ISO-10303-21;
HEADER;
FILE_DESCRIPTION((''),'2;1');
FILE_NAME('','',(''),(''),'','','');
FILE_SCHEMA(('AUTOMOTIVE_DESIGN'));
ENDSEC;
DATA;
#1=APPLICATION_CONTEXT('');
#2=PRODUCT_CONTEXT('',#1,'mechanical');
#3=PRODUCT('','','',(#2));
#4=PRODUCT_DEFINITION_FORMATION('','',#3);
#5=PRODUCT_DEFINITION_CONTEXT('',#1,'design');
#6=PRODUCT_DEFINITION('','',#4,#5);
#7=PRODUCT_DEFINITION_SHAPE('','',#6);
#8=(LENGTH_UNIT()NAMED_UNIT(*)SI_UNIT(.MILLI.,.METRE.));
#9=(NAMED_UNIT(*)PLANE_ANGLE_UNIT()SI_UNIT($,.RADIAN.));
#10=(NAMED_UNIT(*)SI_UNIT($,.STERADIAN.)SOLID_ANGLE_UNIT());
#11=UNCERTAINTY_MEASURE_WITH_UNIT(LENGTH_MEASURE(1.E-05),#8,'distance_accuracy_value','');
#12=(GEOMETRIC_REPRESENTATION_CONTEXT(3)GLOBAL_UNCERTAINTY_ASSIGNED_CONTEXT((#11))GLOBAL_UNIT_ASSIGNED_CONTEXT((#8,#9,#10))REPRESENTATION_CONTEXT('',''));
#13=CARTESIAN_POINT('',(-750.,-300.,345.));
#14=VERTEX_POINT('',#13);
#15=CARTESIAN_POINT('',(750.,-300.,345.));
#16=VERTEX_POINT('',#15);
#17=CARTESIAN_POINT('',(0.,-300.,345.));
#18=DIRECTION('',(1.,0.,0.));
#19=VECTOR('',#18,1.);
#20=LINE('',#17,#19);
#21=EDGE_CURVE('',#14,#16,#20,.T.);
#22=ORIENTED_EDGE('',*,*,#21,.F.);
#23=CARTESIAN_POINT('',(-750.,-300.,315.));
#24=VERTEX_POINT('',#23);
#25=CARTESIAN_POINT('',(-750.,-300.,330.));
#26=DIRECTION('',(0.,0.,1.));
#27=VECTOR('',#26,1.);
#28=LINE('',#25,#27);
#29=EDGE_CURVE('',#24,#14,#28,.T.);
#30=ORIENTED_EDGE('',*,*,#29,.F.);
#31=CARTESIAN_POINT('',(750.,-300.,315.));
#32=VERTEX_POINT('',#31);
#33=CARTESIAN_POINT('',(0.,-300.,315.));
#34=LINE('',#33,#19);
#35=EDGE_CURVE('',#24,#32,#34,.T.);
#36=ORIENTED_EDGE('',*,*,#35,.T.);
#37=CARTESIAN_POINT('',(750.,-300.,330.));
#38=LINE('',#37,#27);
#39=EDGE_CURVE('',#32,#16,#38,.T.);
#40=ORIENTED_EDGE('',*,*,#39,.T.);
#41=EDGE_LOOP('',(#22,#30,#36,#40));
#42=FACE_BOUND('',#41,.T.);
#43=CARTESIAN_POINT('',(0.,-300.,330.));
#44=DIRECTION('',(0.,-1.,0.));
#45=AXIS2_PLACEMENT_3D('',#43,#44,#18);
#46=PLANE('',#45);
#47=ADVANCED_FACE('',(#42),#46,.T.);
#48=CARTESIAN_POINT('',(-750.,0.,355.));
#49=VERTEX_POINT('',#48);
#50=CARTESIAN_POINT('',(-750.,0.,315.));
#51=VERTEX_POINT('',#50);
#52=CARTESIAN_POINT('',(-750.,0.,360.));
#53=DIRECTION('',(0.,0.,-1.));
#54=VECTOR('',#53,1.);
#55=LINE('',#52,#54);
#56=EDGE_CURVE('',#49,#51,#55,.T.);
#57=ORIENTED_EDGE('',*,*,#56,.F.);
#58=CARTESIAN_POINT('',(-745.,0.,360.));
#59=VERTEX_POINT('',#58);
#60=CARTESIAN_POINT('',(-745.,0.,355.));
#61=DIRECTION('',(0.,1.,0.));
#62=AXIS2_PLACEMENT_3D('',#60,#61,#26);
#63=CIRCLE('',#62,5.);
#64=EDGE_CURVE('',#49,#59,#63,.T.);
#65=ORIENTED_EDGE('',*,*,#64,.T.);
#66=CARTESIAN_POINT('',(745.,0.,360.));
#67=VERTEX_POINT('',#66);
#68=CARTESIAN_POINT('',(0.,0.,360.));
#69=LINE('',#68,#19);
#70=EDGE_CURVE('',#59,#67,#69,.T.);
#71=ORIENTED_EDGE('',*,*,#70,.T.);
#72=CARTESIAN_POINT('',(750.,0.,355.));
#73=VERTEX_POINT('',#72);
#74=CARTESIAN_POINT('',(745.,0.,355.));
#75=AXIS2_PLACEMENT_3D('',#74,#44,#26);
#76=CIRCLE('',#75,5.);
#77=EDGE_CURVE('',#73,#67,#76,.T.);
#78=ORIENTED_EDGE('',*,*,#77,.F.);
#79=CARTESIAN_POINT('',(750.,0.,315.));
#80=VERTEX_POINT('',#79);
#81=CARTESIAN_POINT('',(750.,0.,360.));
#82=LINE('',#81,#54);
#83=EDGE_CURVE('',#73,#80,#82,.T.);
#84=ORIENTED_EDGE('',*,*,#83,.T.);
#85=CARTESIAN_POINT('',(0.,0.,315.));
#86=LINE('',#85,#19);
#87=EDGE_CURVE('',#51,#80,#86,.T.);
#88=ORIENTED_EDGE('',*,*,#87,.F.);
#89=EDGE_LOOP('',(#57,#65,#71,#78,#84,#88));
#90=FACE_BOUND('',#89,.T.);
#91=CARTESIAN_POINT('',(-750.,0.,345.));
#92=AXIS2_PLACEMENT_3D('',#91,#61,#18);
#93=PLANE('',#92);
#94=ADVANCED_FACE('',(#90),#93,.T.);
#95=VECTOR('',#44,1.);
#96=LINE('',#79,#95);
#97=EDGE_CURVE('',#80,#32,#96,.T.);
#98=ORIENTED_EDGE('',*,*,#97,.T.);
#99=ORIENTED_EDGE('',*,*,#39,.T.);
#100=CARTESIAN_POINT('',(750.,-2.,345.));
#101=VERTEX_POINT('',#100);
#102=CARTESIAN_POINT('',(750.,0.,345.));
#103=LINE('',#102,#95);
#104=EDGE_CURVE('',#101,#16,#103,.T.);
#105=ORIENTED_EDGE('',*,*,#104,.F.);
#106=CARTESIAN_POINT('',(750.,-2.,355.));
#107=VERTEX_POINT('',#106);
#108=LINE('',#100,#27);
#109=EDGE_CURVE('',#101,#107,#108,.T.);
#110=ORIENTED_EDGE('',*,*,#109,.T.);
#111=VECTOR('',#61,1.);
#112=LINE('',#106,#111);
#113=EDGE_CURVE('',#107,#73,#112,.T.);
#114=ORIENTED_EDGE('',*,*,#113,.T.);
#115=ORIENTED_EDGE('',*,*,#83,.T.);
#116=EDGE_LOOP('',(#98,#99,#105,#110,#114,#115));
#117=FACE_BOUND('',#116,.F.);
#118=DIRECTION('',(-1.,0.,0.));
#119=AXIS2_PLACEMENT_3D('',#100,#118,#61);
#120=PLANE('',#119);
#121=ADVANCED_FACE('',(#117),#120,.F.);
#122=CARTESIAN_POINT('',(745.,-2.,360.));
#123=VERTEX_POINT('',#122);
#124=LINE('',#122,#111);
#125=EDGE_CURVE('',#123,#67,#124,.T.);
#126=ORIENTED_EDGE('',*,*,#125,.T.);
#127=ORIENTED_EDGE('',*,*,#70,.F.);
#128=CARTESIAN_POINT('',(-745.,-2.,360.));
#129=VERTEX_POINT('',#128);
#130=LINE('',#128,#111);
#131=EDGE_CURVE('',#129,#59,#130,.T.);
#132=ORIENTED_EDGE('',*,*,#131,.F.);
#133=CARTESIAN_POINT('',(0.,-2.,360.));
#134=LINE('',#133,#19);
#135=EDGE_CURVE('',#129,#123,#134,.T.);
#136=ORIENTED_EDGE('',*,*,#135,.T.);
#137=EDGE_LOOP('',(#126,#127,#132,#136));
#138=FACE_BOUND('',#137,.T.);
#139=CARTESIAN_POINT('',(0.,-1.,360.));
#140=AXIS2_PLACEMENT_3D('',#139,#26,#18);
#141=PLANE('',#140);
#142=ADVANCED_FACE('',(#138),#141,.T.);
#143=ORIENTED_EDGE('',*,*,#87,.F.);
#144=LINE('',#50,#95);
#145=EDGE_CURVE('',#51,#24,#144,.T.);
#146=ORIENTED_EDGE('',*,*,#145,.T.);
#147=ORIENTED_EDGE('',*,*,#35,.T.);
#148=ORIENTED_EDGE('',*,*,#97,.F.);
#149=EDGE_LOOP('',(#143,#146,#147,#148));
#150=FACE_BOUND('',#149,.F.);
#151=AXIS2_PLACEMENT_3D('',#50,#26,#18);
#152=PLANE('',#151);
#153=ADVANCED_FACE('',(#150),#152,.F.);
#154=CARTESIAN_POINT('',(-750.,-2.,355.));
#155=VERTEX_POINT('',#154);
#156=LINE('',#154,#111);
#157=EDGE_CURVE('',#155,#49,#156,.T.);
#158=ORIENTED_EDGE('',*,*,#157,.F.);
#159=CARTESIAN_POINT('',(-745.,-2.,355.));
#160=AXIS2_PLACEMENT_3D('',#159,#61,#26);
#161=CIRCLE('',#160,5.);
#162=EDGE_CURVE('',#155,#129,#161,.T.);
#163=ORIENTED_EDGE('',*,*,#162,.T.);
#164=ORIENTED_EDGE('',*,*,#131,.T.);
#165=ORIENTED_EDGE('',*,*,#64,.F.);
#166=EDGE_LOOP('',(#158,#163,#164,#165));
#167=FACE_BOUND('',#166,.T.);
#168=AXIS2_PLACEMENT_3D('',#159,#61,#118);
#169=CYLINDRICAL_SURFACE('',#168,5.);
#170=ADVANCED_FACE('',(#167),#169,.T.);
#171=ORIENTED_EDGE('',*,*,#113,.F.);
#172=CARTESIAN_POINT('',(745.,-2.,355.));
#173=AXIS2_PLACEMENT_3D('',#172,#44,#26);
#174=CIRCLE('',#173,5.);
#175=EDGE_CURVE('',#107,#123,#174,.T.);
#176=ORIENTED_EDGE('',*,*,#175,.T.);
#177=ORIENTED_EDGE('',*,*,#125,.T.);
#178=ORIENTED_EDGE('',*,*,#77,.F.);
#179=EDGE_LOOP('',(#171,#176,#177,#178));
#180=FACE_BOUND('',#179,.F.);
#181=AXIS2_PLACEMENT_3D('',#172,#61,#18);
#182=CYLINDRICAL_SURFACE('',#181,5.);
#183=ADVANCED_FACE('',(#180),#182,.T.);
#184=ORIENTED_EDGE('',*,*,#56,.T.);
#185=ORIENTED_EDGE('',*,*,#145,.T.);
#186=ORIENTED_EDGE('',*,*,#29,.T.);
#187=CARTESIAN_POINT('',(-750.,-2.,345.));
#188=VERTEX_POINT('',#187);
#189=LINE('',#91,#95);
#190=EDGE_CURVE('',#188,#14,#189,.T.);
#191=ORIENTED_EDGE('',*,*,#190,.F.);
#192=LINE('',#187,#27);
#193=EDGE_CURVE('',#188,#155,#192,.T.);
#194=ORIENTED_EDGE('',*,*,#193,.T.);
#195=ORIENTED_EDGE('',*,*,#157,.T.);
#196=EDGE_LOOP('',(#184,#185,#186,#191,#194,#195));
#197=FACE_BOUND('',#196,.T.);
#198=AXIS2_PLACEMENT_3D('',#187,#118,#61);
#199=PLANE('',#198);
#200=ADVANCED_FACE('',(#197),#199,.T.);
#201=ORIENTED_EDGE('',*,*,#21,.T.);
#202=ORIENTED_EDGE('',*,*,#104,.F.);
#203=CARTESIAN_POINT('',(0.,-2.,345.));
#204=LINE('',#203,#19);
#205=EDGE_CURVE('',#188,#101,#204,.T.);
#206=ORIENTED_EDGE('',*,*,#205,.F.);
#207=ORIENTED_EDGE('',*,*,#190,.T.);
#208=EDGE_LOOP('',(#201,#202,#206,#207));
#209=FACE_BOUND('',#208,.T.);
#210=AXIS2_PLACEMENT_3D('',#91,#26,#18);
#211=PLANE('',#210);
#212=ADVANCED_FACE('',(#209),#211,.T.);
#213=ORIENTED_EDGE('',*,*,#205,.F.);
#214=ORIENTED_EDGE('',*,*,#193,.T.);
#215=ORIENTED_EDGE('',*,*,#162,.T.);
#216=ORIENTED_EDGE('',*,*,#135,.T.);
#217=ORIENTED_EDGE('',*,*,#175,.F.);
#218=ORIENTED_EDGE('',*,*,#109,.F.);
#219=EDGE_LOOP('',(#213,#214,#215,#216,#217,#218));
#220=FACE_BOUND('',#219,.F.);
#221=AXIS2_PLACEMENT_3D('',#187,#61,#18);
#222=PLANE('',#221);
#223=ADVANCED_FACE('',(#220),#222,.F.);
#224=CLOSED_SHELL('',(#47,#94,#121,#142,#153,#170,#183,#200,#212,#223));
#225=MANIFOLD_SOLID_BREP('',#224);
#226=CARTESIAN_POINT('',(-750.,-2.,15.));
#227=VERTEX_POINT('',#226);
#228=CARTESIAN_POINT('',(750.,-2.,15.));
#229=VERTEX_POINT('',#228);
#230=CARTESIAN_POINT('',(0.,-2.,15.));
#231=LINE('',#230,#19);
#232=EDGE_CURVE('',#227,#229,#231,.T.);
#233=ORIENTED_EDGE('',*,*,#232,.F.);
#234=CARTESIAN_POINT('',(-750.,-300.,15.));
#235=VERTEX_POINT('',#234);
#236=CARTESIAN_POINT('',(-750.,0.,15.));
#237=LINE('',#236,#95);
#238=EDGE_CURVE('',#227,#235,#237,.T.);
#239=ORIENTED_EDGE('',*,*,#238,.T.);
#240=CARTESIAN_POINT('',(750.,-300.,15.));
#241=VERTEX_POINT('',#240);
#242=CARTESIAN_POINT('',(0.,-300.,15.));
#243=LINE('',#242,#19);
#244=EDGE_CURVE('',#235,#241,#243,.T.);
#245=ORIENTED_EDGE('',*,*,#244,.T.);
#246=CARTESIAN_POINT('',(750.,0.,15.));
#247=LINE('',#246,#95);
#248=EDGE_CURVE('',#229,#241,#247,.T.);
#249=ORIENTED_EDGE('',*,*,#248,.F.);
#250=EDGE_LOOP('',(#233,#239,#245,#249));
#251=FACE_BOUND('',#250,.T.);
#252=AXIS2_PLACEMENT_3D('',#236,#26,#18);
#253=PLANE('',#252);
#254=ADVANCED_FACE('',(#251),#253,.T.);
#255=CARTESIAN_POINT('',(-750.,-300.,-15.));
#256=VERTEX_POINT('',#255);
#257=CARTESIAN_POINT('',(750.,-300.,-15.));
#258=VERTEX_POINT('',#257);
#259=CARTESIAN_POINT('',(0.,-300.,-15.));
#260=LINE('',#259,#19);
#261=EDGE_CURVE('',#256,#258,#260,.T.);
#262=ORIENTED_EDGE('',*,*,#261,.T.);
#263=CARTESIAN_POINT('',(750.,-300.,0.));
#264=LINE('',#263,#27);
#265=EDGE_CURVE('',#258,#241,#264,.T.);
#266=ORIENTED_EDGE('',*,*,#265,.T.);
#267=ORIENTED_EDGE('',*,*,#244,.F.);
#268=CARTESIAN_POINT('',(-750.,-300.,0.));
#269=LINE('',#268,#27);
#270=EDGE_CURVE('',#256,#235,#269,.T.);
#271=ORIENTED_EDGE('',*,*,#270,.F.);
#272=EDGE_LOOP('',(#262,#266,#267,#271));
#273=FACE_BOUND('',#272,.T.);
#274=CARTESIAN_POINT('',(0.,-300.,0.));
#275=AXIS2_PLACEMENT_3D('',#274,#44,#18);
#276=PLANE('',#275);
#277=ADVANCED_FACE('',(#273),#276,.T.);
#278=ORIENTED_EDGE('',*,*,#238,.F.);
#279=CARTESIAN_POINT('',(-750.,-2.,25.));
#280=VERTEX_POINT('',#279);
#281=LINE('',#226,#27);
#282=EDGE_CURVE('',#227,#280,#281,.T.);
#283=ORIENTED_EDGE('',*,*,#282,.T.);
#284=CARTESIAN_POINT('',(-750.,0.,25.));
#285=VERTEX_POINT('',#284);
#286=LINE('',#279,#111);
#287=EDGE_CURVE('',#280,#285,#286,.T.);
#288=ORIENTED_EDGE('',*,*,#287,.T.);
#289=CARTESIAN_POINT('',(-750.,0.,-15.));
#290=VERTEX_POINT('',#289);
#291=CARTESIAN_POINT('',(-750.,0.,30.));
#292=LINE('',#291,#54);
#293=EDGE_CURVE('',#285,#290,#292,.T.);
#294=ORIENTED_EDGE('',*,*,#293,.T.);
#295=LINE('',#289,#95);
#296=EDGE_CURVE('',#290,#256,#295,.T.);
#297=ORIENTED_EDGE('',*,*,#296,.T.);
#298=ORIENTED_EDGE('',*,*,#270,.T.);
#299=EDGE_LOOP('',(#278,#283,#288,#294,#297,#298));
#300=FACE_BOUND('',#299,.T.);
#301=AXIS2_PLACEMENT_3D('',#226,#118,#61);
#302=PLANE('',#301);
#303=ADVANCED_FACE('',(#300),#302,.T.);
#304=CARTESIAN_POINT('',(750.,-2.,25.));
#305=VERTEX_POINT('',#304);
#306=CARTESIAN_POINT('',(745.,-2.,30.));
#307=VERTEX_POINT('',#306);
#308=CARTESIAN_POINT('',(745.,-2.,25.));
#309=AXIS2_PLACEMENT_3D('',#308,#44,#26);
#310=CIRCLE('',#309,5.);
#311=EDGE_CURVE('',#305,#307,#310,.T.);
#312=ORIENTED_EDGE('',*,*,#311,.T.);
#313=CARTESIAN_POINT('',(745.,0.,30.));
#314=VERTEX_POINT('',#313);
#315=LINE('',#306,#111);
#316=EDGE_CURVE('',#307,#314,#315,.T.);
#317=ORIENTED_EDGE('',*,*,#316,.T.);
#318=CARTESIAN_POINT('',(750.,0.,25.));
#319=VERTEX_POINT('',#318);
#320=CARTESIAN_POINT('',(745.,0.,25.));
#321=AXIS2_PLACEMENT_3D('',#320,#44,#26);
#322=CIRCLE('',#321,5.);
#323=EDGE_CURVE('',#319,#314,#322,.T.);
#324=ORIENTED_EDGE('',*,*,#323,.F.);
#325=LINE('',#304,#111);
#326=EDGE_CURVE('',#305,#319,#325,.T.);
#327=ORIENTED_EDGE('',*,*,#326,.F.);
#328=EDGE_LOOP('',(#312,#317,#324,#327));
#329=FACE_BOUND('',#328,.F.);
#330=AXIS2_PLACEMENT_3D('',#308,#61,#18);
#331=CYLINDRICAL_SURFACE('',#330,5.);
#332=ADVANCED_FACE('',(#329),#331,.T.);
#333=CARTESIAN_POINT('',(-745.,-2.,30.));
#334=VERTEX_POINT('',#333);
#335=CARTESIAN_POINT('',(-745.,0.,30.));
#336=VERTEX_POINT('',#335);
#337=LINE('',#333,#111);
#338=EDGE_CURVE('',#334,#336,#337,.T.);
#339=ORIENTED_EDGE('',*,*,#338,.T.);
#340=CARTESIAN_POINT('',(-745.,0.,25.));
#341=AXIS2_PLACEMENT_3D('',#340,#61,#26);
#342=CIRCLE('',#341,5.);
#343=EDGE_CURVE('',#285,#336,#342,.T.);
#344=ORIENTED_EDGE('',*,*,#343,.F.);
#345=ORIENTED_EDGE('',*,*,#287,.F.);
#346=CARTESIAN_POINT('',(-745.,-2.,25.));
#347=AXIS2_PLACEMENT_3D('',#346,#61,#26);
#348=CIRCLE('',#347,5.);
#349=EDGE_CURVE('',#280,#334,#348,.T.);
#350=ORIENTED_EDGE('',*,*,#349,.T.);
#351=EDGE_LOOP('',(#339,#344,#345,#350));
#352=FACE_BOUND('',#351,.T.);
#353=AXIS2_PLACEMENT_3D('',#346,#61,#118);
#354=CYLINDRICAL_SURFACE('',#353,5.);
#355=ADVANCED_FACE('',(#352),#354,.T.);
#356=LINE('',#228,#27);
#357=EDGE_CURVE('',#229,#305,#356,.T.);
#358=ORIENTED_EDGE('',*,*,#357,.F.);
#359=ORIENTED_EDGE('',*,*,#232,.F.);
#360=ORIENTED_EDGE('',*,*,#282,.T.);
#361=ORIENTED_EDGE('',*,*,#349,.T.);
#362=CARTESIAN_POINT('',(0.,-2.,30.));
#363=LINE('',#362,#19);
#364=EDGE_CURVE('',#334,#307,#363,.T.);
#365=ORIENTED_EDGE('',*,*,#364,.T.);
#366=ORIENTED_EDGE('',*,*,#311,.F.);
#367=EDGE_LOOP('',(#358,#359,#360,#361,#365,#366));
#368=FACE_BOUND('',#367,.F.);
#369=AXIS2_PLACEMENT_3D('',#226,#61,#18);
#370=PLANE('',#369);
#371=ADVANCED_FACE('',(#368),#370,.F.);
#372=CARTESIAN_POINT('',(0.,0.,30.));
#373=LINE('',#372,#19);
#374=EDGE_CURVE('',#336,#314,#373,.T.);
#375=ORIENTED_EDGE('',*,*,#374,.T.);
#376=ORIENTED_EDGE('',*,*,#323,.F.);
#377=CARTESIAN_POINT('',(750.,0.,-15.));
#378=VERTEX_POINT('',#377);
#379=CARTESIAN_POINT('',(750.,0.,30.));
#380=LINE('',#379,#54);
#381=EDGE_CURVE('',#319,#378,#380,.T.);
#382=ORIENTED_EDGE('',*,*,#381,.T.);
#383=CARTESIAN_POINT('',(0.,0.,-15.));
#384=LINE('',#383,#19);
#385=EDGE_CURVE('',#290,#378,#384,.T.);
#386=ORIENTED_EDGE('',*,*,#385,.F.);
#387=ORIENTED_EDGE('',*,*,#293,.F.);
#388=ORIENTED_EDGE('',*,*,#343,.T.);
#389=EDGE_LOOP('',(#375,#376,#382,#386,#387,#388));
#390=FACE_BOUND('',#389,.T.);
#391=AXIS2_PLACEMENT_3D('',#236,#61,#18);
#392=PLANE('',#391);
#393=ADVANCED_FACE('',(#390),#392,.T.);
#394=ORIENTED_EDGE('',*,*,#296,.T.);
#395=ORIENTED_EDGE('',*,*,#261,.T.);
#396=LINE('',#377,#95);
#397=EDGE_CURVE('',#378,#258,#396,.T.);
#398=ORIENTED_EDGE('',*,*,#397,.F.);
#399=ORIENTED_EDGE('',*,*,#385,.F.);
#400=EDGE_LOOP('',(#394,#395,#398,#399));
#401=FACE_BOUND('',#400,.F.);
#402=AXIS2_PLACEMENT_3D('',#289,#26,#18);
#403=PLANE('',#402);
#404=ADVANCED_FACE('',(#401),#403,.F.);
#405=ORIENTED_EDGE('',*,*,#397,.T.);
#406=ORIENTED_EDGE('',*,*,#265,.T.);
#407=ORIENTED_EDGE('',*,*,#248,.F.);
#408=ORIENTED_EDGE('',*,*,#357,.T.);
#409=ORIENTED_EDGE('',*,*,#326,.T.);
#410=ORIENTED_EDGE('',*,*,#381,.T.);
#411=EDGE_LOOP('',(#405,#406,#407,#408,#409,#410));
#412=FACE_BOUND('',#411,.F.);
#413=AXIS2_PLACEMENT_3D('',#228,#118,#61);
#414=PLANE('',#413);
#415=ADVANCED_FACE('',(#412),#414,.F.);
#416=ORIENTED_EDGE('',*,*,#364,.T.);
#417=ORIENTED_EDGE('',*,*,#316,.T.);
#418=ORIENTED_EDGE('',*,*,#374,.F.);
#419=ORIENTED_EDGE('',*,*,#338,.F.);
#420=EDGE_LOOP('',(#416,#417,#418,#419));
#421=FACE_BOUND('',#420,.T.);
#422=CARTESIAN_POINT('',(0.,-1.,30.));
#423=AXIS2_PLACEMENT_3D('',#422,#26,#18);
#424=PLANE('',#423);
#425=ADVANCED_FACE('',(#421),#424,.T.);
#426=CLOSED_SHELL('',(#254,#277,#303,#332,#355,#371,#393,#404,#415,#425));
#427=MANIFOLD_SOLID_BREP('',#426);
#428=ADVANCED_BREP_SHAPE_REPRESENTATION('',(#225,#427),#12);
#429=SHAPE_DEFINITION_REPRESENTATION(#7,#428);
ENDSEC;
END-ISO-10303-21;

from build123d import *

# Parameters (mm, degrees)
F0_W     = 1500
F0_H     = 30
F1_DEPTH = 300
F2_W     = 1500
F2_H     = 2
F3_DEPTH = 15
F4_W     = 1500
F4_H     = 2
F5_DEPTH = 15
F6_R     = 5


with BuildPart() as f1:
    # F0 (on Front) → F1 (new body)
    with BuildSketch(Plane.XZ):
        Rectangle(F0_W, F0_H)
        with Locations((0, 330)):
            Rectangle(F0_W, F0_H)
    extrude(amount=F1_DEPTH)

    # F2 (on face) → F3 (join)
    with BuildSketch(Plane.XY.offset(345)):
        with Locations((0, -1)):
            Rectangle(F2_W, F2_H)
    extrude(amount=F3_DEPTH)

    # F4 (on face) → F5 (join)
    with BuildSketch(Plane.XY.offset(15)):
        with Locations((0, -1)):
            Rectangle(F4_W, F4_H)
    extrude(amount=F5_DEPTH)

    # F6
    f6_edges = [f1.edges().sort_by_distance(p)[0] for p in [
        (-750, -1, 360),
        (-750, -1, 30),
        (750, -1, 360),
        (750, -1, 30),
    ]]
    fillet(f6_edges, radius=F6_R)


solid = f1.part
